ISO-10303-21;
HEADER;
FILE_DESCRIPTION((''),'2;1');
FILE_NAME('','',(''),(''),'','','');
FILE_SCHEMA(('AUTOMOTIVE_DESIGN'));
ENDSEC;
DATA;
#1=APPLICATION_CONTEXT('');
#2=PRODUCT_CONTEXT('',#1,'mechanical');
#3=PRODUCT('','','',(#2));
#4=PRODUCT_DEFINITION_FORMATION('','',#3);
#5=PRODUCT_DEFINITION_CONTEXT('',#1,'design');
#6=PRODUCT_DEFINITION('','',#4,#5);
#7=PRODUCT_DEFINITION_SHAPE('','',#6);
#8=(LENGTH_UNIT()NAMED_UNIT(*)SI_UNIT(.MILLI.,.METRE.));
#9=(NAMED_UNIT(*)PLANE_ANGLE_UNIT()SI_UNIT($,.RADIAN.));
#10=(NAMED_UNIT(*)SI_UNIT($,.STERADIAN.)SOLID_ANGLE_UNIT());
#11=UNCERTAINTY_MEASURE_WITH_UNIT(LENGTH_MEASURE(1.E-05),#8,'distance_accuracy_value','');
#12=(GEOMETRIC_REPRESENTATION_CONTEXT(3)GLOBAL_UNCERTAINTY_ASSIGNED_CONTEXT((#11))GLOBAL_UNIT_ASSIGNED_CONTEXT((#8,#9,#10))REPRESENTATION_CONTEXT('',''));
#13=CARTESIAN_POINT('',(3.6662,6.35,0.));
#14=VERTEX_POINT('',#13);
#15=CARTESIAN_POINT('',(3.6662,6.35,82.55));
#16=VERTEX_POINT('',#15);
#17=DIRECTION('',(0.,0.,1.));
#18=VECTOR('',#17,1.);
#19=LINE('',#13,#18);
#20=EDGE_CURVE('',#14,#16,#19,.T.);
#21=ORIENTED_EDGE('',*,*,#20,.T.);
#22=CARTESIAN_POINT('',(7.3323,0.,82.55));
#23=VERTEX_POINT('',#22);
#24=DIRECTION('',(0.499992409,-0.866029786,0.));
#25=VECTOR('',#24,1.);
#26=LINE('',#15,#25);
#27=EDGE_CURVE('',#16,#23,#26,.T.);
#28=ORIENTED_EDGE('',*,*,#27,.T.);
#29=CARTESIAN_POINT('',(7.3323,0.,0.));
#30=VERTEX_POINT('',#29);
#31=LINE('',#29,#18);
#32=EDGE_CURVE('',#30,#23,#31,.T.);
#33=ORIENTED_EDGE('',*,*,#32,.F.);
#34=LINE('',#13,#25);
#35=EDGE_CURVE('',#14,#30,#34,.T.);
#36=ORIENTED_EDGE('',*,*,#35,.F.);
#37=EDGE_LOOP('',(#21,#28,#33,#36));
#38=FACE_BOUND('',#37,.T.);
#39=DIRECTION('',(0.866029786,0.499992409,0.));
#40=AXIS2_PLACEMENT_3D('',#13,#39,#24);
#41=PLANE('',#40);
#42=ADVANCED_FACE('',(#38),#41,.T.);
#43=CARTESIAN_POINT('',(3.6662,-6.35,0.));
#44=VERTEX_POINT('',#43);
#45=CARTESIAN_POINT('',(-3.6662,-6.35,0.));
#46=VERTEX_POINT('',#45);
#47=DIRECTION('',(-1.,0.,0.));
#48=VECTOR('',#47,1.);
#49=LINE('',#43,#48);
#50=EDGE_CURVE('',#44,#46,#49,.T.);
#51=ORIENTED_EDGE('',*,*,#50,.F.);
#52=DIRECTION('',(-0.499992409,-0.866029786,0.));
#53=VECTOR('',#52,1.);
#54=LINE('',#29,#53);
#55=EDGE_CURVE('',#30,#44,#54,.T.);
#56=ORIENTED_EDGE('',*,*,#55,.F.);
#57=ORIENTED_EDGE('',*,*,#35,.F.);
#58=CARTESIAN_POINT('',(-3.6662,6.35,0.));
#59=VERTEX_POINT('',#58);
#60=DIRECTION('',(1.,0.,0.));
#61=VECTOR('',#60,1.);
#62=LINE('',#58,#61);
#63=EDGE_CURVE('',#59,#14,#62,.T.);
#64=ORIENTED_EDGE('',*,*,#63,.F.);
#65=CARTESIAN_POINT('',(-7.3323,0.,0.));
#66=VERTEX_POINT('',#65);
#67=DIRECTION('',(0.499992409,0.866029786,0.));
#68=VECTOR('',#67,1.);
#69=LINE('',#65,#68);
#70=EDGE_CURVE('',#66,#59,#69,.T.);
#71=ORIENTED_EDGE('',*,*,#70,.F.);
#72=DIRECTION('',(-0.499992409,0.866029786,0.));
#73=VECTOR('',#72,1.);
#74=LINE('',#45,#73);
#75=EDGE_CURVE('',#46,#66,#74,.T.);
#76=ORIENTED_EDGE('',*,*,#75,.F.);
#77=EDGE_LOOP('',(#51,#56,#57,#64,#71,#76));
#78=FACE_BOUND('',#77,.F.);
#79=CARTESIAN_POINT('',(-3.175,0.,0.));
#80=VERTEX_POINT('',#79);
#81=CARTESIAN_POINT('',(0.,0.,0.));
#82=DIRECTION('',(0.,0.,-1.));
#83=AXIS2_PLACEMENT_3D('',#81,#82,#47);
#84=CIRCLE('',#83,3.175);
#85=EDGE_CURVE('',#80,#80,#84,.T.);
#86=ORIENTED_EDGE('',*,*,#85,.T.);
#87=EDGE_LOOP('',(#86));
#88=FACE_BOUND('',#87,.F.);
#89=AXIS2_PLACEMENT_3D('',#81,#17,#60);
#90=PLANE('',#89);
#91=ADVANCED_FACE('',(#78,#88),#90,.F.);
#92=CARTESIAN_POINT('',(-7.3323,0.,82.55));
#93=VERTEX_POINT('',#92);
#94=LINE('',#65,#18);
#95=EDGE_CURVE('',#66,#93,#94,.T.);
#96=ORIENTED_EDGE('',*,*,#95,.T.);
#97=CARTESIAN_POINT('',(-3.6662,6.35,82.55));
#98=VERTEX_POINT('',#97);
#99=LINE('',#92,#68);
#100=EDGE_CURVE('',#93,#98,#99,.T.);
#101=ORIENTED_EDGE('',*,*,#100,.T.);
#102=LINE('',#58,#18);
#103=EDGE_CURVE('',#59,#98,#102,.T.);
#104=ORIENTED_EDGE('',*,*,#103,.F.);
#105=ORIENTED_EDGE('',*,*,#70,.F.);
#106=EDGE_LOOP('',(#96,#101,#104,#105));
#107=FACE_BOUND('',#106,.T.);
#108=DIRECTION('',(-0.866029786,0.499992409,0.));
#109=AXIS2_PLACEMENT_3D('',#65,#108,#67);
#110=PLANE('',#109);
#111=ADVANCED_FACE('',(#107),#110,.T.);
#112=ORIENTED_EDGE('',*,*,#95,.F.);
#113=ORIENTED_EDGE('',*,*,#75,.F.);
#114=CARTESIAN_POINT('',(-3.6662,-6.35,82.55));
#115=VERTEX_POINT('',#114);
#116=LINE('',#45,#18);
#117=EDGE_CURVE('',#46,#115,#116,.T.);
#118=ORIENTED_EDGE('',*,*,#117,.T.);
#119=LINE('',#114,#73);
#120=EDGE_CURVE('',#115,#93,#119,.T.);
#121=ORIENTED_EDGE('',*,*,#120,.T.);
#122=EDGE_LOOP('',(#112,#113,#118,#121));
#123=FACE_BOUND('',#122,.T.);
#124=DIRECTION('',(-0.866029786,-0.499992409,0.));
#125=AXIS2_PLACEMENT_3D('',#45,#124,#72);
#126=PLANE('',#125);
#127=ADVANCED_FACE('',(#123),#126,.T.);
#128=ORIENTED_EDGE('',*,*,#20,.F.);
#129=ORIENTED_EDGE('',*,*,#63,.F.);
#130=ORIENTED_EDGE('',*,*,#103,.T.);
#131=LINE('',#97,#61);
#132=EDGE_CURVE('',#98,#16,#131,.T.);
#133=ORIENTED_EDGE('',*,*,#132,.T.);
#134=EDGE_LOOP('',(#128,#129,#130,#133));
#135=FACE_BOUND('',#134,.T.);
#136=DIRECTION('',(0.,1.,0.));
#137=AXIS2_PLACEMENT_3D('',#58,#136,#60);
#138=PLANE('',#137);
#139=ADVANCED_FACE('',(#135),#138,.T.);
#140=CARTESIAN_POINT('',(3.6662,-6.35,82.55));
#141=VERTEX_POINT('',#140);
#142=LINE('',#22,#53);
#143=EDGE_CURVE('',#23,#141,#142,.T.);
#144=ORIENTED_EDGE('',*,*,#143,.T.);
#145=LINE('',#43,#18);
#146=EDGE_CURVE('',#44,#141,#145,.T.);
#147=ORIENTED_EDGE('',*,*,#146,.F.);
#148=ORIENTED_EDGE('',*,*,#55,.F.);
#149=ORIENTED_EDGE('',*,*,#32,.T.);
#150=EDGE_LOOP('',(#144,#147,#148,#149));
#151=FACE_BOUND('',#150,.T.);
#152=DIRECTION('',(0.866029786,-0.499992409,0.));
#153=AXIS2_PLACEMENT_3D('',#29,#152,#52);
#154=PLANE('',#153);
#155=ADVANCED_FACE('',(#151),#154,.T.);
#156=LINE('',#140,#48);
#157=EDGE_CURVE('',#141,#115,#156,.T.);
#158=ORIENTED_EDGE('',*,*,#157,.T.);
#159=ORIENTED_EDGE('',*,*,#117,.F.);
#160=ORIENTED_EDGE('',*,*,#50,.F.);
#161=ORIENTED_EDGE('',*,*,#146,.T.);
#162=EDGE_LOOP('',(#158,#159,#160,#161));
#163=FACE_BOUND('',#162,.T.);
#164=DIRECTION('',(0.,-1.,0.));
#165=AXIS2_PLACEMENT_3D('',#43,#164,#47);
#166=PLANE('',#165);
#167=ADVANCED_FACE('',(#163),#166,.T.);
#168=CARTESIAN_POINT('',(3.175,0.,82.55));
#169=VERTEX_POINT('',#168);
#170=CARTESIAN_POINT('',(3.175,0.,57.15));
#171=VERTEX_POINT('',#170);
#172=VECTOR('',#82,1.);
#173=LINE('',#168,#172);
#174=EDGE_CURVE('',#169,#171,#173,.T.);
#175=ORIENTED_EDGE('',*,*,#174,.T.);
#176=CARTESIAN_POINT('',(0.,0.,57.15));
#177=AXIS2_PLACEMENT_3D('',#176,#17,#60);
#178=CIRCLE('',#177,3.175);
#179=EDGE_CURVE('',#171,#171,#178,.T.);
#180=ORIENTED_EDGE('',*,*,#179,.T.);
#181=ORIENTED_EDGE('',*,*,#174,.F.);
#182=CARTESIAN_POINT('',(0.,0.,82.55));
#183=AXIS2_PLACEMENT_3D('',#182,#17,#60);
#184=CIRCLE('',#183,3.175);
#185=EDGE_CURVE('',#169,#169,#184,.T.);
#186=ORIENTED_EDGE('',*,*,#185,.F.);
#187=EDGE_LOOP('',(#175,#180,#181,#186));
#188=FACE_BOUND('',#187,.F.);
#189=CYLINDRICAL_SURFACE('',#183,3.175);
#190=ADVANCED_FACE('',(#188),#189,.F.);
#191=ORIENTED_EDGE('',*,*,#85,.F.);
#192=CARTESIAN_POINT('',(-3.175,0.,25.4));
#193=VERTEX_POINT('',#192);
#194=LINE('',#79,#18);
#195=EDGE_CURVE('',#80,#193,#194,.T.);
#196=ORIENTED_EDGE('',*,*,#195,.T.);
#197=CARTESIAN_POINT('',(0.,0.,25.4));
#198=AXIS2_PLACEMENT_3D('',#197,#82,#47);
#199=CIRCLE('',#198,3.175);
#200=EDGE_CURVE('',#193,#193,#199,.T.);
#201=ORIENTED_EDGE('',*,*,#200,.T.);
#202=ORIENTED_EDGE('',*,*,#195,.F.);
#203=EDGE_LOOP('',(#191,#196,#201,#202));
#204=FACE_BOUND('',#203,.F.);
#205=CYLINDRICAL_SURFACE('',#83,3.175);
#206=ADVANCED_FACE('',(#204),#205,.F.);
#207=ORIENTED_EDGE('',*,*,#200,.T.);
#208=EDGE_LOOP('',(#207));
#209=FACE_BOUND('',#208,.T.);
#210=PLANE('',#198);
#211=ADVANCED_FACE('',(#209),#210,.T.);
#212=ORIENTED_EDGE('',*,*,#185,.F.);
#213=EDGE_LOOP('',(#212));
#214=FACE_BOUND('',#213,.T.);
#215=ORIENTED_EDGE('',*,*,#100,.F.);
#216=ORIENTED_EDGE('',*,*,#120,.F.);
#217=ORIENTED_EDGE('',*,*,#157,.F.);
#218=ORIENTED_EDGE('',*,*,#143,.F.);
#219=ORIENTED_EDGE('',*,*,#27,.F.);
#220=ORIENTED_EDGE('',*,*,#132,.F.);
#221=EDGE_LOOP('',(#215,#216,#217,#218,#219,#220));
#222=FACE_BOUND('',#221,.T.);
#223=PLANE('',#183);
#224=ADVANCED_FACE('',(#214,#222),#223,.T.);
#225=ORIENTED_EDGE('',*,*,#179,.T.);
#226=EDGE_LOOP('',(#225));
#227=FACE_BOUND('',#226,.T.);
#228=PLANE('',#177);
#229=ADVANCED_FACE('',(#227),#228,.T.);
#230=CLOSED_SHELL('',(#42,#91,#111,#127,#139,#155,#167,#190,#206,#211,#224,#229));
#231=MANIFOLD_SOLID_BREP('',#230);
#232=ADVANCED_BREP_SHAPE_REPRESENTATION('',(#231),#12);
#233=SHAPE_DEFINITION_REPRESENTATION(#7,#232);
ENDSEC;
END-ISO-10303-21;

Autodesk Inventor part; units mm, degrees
ref_plane "YZ Plane" through (0, 0, 0) normal (1, 0, 0) x (0, 1, 0)
ref_plane "XZ Plane" through (0, 0, 0) normal (0, 1, 0) x (-1, 0, 0)
ref_plane "XY Plane" through (0, 0, 0) normal (0, 0, 1) x (1, 0, 0)
sketch "Sketch1" plane through (0, 0, 0) normal (0, 0, 1) x (1, 0, 0)
  line L0 (3.6662, 6.35) -> (7.3323, 0)
  line L1 (7.3323, 0) -> (3.6662, -6.35)
  line L2 (3.6662, -6.35) -> (-3.6662, -6.35)
  line L3 (-3.6662, -6.35) -> (-7.3323, 0)
  line L4 (-7.3323, 0) -> (-3.6662, 6.35)
  line L5 (-3.6662, 6.35) -> (3.6662, 6.35)
  point P0 (0, 0)
  point P1 (0, 0)
  dimension "d0" = 12.7
extrude "Extrusion1" add sketch "Sketch1" along normal blind 82.55
sketch "Sketch3" plane through (0, 0, 82.55) normal (0, 0, 1) x (1, 0, 0)
  circle A0 centre (0, 0) radius 3.175
  dimension "d4" = 6.35
extrude "Extrusion2" cut sketch "Sketch3" against normal blind 25.4
sketch "Sketch4" plane through (0, 0, 0) normal (0, 0, -1) x (-1, 0, 0)
  circle A0 centre (0, 0) radius 3.175
  dimension "d7" = 6.35
extrude "Extrusion3" cut sketch "Sketch4" against normal blind 25.4
properties part number "WheelAxle" material "Aluminum-6061"
